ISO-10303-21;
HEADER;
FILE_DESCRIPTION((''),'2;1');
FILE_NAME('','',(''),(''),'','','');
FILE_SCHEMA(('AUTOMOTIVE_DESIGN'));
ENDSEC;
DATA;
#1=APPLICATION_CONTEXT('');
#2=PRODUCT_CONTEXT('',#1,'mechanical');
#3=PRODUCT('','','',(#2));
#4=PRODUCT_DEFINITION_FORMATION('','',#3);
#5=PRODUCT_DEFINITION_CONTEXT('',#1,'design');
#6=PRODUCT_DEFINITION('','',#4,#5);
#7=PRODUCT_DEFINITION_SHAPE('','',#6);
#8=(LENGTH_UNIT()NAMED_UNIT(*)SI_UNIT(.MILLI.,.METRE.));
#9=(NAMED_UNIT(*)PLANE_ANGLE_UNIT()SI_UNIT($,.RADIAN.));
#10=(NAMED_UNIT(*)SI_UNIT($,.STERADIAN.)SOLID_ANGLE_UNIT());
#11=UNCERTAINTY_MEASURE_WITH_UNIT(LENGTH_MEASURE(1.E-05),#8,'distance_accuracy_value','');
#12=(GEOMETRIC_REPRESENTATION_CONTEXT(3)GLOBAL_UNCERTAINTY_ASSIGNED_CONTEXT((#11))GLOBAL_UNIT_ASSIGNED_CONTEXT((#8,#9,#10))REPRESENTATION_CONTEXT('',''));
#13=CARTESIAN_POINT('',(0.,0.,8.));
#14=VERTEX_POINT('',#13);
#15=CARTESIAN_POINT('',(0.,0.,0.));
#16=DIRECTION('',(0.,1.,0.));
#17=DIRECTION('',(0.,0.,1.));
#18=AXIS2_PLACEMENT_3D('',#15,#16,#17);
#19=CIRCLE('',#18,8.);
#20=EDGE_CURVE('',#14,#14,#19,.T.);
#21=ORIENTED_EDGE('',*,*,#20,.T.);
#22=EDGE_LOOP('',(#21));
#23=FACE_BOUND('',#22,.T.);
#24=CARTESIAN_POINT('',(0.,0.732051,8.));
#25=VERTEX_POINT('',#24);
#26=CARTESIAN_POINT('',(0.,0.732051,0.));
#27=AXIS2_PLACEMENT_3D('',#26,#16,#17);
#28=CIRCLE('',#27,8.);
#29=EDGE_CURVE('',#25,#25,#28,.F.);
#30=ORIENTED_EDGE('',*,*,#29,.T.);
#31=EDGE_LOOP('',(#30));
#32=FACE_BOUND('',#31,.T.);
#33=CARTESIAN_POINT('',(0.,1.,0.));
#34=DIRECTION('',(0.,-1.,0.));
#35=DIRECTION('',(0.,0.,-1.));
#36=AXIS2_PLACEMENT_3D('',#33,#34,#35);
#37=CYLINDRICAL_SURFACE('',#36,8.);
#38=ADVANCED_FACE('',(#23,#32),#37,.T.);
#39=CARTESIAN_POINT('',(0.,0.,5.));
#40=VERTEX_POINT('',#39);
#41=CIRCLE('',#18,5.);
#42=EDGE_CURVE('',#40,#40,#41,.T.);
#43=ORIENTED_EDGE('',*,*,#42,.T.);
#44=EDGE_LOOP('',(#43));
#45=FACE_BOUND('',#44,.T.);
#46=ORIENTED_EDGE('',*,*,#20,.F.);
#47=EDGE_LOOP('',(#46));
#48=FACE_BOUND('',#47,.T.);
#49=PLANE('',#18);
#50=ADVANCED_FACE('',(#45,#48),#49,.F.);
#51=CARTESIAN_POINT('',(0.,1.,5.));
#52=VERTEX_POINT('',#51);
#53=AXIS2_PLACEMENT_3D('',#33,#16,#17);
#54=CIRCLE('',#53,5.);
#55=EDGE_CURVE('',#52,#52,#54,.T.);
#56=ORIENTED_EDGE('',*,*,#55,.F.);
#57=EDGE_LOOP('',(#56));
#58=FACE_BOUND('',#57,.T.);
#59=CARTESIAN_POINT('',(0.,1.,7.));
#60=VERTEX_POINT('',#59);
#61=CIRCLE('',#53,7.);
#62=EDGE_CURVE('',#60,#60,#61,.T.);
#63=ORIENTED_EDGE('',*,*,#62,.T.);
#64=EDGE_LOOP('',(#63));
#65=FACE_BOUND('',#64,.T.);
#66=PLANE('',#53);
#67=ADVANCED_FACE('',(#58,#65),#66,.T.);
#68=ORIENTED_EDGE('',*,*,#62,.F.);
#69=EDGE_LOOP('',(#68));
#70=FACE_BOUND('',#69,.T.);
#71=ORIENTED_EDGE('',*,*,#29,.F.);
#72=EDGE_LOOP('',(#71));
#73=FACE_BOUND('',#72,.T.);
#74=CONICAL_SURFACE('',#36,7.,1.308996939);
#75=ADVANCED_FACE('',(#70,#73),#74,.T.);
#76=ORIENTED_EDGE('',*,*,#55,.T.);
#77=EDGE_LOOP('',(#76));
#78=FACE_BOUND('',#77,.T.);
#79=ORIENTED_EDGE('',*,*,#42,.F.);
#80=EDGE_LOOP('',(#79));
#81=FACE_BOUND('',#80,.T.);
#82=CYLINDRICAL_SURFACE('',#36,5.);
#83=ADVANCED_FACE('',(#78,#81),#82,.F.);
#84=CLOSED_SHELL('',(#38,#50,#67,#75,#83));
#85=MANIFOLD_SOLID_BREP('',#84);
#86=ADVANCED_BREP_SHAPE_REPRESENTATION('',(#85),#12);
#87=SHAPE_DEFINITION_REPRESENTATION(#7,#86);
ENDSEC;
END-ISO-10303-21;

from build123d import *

# Parameters (mm, degrees)
SKETCH1_R           = 8
SKETCH1_R_2         = 5
BOSS_EXTRUDE1_DEPTH = 1
CHAMFER1_SIZE       = 1
CHAMFER1_SIZE2      = 0.267949192


with BuildPart() as part:
    # Sketch1 → Boss-Extrude1 (new body)
    with BuildSketch(Plane(origin=(0, 0, 0), x_dir=(1, 0, 0), z_dir=(0, 1, 0))):
        Circle(SKETCH1_R)
        Circle(SKETCH1_R_2, mode=Mode.SUBTRACT)
    extrude(amount=BOSS_EXTRUDE1_DEPTH)

    # Chamfer1
    chamfer1_edges = [part.edges().sort_by_distance(p)[0] for p in [
        (-8, 1, 0),
    ]]
    chamfer1_side = [part.faces().sort_by_distance(p)[0] for p in [
        (-7.77372583, 1, 0),
    ]]
    chamfer(chamfer1_edges, length=CHAMFER1_SIZE, length2=CHAMFER1_SIZE2, reference=chamfer1_side[0])


solid = part.part
